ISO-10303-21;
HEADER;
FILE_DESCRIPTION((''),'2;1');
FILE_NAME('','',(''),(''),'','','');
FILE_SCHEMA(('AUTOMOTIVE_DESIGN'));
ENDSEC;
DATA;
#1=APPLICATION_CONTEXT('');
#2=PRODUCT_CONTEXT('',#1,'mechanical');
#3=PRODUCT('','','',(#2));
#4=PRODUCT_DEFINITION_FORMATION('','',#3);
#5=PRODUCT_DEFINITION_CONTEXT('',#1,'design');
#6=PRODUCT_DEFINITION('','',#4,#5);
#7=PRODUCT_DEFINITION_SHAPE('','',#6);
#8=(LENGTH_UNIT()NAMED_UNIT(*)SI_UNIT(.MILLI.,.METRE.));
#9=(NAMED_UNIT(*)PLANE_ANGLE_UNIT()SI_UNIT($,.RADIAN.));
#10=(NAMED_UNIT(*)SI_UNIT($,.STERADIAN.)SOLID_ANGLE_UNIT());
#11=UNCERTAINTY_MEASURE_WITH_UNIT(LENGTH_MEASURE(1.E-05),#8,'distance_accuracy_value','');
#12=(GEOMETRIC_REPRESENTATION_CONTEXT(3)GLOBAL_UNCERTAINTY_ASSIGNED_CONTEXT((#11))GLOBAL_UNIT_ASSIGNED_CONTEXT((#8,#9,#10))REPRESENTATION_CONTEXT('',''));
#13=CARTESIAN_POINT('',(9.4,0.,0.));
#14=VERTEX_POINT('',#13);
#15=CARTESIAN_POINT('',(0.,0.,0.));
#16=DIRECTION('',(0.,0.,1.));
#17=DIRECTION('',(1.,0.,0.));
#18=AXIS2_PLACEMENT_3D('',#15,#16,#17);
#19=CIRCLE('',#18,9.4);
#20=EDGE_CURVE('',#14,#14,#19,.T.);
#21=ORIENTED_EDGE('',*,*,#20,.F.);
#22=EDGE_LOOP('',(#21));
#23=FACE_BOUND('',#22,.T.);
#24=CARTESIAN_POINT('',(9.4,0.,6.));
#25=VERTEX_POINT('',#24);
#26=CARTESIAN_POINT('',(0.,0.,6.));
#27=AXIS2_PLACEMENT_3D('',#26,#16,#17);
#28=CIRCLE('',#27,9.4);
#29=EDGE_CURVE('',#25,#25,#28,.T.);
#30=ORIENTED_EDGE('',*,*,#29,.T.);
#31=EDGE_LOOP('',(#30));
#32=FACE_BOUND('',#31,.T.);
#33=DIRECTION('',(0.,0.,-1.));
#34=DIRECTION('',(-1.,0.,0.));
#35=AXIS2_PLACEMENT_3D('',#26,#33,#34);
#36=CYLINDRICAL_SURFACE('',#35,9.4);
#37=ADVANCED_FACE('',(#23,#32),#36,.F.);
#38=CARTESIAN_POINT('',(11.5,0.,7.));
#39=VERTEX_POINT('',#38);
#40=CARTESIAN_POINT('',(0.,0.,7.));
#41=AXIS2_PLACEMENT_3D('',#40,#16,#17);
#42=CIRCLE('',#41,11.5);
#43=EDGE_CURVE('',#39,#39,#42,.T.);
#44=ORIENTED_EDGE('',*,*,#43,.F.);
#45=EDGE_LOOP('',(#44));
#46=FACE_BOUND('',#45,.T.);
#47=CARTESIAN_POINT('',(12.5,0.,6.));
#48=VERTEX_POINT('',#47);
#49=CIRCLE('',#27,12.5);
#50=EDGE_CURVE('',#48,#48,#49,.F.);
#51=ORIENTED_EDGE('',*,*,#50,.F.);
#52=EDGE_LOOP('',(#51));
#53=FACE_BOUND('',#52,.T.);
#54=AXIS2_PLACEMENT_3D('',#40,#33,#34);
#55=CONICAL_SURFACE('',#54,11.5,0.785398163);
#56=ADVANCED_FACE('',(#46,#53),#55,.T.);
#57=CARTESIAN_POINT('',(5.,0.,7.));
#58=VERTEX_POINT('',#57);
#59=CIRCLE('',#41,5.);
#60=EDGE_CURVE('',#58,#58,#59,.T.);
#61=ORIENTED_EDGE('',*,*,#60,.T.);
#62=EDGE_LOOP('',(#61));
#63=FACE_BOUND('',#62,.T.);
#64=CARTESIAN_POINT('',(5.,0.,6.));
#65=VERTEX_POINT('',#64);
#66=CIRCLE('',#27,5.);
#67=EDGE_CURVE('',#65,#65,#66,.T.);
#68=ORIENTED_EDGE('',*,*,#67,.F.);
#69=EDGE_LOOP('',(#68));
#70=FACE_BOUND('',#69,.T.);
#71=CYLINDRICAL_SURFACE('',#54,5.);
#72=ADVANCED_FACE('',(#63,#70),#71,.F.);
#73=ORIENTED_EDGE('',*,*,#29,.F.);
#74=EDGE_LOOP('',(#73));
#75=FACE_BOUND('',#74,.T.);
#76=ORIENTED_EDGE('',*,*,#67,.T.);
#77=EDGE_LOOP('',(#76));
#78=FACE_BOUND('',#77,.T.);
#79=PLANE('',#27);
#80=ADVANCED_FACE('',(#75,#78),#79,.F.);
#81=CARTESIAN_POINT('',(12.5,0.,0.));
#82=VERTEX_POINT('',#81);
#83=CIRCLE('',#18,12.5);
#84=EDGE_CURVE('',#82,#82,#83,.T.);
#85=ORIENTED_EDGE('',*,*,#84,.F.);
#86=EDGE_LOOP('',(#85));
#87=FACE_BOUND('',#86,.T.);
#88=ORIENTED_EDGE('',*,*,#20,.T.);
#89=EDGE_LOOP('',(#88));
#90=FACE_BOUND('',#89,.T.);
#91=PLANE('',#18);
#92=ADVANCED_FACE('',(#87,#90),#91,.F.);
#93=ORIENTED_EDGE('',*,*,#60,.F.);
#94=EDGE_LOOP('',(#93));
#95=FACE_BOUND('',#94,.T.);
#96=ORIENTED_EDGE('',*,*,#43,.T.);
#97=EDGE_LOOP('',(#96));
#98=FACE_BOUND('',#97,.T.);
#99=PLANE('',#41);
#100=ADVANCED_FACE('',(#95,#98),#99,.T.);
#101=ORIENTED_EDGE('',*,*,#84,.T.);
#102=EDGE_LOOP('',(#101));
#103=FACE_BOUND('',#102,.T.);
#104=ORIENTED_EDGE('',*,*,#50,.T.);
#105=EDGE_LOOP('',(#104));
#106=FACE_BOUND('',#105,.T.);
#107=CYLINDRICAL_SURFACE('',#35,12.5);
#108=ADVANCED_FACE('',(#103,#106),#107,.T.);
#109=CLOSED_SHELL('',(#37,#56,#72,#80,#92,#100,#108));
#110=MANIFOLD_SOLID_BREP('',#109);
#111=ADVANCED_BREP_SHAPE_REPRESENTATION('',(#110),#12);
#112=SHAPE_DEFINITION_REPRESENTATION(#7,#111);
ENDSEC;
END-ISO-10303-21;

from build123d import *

# Parameters (mm, degrees)
SKETCH_1_R      = 12.5
SKETCH_1_R_2    = 9.4
EXTRUDE_1_DEPTH = 6
SKETCH_2_R      = 12.5
SKETCH_2_R_2    = 5
EXTRUDE_2_DEPTH = 1
CHAMFER_1_SIZE  = 1


with BuildPart() as part:
    # 草图1 → 凸台-拉伸1 (new body)
    with BuildSketch(Plane.XY):
        Circle(SKETCH_1_R)
        Circle(SKETCH_1_R_2, mode=Mode.SUBTRACT)
    extrude(amount=EXTRUDE_1_DEPTH)

    # 草图2 → 凸台-拉伸2 (add)
    with BuildSketch(Plane.XY.offset(6)):
        Circle(SKETCH_2_R)
        Circle(SKETCH_2_R_2, mode=Mode.SUBTRACT)
    extrude(amount=EXTRUDE_2_DEPTH)

    # 倒角1
    chamfer_1_edges = [part.edges().sort_by_distance(p)[0] for p in [
        (-12.5, 0, 7),
    ]]
    chamfer(chamfer_1_edges, length=CHAMFER_1_SIZE)


solid = part.part
